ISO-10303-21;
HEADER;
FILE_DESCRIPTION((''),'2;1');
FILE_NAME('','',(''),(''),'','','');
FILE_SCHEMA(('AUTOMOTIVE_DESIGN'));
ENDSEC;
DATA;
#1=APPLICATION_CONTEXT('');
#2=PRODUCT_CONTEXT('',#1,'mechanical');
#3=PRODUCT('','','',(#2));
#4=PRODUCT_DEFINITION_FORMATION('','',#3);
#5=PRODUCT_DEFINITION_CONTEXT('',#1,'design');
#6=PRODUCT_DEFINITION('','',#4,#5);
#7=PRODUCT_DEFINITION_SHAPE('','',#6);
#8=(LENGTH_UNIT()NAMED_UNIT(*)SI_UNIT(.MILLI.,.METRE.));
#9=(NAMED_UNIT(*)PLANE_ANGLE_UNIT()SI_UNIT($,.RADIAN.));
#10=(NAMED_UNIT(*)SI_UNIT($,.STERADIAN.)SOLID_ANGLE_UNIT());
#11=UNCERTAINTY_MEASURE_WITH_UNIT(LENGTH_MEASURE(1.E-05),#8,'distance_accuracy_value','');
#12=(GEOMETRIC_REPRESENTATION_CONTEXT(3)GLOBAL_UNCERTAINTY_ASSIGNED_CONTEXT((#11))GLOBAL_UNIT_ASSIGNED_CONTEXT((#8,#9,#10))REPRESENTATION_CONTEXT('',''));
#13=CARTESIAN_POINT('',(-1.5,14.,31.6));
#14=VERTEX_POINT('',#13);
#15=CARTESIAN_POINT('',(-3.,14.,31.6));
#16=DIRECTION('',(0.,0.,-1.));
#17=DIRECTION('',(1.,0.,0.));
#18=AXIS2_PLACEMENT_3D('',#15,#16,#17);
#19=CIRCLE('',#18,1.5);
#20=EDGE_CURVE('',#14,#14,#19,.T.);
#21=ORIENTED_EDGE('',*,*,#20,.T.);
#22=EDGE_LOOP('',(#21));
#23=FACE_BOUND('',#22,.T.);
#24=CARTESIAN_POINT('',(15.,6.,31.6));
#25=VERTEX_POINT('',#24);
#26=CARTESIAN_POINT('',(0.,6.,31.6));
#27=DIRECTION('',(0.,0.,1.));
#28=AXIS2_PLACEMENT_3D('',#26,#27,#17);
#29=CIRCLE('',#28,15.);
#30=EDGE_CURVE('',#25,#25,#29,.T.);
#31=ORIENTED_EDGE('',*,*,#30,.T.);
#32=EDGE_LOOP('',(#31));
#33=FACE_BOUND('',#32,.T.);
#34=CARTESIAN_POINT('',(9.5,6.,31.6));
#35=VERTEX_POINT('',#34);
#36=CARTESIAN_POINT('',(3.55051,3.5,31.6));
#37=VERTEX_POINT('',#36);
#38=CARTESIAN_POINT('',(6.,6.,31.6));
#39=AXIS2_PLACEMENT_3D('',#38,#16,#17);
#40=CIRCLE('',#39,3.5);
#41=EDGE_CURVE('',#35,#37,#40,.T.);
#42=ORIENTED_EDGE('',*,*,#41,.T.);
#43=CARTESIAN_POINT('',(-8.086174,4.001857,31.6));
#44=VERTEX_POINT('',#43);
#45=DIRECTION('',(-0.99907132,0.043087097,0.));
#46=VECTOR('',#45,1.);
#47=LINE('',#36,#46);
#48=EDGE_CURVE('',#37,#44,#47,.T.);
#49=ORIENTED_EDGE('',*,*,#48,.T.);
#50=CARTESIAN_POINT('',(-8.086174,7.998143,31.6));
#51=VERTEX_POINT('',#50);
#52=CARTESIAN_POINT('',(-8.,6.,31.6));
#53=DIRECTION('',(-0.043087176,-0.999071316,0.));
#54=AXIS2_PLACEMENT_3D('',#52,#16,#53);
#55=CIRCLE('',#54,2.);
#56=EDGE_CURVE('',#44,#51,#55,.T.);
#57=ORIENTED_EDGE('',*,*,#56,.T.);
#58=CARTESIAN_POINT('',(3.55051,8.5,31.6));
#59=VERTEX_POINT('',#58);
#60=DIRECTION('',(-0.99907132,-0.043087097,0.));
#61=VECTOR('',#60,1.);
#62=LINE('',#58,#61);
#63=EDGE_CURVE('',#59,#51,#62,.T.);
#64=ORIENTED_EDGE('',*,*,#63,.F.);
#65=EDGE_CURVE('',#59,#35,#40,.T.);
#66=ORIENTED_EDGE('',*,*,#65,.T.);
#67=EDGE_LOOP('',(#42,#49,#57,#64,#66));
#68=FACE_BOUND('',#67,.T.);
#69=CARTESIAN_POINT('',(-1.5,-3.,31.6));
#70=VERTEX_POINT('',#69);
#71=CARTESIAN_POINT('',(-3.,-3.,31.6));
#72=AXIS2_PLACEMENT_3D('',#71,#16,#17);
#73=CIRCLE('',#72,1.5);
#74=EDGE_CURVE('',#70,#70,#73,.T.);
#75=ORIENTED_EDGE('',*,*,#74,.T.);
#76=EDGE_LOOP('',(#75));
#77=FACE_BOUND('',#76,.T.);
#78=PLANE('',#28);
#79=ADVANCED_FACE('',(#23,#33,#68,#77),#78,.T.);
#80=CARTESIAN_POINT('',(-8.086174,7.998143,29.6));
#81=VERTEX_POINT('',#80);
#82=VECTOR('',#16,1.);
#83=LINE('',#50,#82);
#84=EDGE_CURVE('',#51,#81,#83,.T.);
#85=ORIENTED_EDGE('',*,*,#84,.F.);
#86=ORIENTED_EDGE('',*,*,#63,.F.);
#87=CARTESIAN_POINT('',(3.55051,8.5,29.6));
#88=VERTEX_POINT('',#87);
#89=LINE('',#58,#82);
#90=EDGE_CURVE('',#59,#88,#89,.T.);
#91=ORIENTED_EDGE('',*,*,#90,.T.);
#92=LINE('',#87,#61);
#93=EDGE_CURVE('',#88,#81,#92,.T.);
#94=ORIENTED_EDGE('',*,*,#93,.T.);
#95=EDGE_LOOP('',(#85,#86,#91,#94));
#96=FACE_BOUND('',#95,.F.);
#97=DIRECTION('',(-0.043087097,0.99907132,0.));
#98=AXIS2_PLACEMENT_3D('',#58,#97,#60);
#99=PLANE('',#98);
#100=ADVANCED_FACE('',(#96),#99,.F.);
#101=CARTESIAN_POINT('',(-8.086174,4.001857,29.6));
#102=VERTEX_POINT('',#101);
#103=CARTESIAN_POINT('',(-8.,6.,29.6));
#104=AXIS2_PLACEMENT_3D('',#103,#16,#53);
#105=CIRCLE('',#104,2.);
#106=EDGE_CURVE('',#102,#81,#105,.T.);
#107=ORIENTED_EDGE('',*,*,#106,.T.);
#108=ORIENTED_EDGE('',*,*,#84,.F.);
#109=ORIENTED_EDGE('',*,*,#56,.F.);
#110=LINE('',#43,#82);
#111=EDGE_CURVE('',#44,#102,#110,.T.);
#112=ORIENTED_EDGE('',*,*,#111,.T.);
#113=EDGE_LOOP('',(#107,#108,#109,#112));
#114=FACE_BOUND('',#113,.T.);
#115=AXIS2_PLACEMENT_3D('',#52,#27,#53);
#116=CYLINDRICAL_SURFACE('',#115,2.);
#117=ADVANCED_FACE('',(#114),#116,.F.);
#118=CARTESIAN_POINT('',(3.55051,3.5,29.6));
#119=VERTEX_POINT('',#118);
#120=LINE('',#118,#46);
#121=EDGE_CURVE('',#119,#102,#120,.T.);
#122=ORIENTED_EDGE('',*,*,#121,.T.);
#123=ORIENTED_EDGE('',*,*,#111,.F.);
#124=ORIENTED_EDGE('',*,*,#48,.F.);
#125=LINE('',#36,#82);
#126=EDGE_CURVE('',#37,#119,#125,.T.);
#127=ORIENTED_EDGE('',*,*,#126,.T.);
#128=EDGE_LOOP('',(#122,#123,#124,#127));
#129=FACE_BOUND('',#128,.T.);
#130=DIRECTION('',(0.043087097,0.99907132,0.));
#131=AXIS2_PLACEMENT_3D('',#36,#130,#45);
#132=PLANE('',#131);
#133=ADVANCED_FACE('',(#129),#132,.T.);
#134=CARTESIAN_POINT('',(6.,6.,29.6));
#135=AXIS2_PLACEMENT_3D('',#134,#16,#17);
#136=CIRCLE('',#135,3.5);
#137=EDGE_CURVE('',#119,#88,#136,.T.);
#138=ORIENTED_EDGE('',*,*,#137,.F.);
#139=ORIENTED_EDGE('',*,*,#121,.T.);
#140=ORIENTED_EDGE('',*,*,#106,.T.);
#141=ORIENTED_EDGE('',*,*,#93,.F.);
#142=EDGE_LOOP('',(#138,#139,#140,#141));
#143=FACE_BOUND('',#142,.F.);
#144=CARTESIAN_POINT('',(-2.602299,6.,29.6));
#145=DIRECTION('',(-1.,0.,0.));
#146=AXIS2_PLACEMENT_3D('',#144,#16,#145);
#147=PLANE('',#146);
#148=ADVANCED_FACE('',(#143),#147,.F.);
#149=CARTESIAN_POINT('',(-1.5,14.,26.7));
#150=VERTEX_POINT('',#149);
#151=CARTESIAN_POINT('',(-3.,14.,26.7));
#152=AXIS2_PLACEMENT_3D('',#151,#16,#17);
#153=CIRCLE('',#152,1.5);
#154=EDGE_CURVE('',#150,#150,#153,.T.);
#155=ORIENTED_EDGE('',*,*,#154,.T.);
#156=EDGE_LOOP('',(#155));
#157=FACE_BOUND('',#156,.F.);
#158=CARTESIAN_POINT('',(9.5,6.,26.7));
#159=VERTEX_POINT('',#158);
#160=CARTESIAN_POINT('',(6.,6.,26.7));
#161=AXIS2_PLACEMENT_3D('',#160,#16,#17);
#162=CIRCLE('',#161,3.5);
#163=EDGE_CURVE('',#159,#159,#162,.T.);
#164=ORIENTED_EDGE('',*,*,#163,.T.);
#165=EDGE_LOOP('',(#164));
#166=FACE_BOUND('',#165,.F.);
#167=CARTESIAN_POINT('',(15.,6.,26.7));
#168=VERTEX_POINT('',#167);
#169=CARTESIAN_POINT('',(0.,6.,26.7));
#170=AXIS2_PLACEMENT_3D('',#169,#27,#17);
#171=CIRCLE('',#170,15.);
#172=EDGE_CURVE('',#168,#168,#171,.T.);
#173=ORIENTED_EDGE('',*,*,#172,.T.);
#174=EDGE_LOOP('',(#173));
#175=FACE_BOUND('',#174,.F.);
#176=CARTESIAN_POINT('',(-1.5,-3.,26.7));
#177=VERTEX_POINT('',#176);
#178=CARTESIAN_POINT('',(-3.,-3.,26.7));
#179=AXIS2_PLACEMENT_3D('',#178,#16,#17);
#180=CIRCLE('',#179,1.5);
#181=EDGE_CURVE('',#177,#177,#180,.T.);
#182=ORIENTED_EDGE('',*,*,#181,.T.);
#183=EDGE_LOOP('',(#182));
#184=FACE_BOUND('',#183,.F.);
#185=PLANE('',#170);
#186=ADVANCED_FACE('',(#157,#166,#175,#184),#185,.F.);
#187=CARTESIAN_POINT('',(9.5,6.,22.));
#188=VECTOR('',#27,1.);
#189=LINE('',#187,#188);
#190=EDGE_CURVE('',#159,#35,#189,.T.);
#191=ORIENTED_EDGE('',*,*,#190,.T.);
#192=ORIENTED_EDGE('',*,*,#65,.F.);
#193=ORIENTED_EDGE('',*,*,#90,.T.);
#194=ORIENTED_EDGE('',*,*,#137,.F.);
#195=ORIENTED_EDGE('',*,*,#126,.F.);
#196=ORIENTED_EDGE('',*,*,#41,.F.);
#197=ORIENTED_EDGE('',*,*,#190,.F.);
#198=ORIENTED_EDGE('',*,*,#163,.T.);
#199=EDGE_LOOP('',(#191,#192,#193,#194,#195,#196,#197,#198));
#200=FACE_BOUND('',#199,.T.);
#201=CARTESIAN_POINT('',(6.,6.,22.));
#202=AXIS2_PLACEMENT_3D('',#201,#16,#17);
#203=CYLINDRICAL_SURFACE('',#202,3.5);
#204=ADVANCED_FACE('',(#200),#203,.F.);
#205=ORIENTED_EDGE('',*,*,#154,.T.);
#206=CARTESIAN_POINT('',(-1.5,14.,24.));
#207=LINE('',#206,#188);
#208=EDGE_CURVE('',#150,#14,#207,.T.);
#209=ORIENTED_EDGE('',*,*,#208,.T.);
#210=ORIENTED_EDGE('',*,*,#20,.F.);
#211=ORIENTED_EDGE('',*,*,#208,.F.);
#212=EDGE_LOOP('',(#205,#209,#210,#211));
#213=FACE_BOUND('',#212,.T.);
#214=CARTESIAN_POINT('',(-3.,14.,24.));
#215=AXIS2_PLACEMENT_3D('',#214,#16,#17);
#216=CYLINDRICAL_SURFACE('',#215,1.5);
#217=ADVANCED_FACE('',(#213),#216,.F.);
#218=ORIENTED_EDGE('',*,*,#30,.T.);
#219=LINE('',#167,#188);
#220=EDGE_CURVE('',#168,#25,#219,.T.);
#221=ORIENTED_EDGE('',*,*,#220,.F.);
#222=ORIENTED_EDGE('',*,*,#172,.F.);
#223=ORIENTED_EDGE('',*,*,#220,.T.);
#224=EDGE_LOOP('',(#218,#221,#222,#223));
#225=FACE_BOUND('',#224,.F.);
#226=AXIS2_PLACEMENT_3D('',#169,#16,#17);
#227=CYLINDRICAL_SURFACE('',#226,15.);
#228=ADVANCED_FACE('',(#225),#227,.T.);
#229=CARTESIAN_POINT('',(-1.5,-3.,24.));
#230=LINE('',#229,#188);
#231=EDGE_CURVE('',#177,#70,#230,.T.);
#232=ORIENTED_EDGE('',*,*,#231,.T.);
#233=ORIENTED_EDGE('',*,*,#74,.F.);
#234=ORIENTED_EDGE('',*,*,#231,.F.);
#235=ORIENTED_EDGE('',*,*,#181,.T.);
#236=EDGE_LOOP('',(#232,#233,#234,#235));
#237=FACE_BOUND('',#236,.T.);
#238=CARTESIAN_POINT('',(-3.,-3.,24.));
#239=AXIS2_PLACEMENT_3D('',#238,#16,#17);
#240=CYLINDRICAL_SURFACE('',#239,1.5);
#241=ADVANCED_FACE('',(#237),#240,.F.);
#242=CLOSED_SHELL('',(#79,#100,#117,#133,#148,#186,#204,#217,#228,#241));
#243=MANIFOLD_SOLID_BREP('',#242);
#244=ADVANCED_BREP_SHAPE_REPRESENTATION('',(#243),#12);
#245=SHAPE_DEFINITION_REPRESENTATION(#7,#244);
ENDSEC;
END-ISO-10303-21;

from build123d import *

# Parameters (mm, degrees)
CYLINDER009_R     = 1.5
CYLINDER009_DEPTH = 10
CYLINDER008_R     = 1.5
CYLINDER008_DEPTH = 10
CYLINDER001_R     = 3.5
CYLINDER001_DEPTH = 20
PAD_DEPTH         = 2
CYLINDER_R        = 15
CYLINDER_DEPTH    = 4.9


with BuildPart() as cilindro009:
    # Cylinder009 → Cylinder009 (new body)
    with BuildSketch(Plane(origin=(-3, 14, 24), x_dir=(1, 0, 0), z_dir=(0, 0, 1))):
        Circle(CYLINDER009_R)
    extrude(amount=CYLINDER009_DEPTH)


with BuildPart() as cilindro008:
    # Cylinder008 → Cylinder008 (new body)
    with BuildSketch(Plane(origin=(-3, -3, 24), x_dir=(1, 0, 0), z_dir=(0, 0, 1))):
        Circle(CYLINDER008_R)
    extrude(amount=CYLINDER008_DEPTH)


with BuildPart() as cilindro001:
    # Cylinder001 → Cylinder001 (new body)
    with BuildSketch(Plane(origin=(6, 6, 22), x_dir=(1, 0, 0), z_dir=(0, 0, 1))):
        Circle(CYLINDER001_R)
    extrude(amount=CYLINDER001_DEPTH)


with BuildPart() as pad:
    # Sketch → Pad (new body)
    with BuildSketch(Plane(origin=(6, 6, 31.6), x_dir=(-1, 0, 0), z_dir=(0, 0, -1))):
        with BuildLine():
            ThreePointArc((14.086174, -1.998143), (16, 0), (14.086174, 1.998143))
            Line((2.44949, 2.5), (14.086174, 1.998143))
            Line((2.44949, 2.5), (2.44949, -2.5))
            Line((2.44949, -2.5), (14.086174, -1.998143))
        make_face()
    extrude(amount=PAD_DEPTH)


with BuildPart() as base:
    # Cylinder → Cylinder (new body)
    with BuildSketch(Plane(origin=(0, 6, 26.7), x_dir=(1, 0, 0), z_dir=(0, 0, 1))):
        Circle(CYLINDER_R)
    extrude(amount=CYLINDER_DEPTH)

    # Cut: cut Pad
    add(pad.part, mode=Mode.SUBTRACT)

    # Cut001: cut Cilindro001
    add(cilindro001.part, mode=Mode.SUBTRACT)

    # Cut009: cut Cilindro008
    add(cilindro008.part, mode=Mode.SUBTRACT)

    # Cut010: cut Cilindro009
    add(cilindro009.part, mode=Mode.SUBTRACT)


solid = base.part
